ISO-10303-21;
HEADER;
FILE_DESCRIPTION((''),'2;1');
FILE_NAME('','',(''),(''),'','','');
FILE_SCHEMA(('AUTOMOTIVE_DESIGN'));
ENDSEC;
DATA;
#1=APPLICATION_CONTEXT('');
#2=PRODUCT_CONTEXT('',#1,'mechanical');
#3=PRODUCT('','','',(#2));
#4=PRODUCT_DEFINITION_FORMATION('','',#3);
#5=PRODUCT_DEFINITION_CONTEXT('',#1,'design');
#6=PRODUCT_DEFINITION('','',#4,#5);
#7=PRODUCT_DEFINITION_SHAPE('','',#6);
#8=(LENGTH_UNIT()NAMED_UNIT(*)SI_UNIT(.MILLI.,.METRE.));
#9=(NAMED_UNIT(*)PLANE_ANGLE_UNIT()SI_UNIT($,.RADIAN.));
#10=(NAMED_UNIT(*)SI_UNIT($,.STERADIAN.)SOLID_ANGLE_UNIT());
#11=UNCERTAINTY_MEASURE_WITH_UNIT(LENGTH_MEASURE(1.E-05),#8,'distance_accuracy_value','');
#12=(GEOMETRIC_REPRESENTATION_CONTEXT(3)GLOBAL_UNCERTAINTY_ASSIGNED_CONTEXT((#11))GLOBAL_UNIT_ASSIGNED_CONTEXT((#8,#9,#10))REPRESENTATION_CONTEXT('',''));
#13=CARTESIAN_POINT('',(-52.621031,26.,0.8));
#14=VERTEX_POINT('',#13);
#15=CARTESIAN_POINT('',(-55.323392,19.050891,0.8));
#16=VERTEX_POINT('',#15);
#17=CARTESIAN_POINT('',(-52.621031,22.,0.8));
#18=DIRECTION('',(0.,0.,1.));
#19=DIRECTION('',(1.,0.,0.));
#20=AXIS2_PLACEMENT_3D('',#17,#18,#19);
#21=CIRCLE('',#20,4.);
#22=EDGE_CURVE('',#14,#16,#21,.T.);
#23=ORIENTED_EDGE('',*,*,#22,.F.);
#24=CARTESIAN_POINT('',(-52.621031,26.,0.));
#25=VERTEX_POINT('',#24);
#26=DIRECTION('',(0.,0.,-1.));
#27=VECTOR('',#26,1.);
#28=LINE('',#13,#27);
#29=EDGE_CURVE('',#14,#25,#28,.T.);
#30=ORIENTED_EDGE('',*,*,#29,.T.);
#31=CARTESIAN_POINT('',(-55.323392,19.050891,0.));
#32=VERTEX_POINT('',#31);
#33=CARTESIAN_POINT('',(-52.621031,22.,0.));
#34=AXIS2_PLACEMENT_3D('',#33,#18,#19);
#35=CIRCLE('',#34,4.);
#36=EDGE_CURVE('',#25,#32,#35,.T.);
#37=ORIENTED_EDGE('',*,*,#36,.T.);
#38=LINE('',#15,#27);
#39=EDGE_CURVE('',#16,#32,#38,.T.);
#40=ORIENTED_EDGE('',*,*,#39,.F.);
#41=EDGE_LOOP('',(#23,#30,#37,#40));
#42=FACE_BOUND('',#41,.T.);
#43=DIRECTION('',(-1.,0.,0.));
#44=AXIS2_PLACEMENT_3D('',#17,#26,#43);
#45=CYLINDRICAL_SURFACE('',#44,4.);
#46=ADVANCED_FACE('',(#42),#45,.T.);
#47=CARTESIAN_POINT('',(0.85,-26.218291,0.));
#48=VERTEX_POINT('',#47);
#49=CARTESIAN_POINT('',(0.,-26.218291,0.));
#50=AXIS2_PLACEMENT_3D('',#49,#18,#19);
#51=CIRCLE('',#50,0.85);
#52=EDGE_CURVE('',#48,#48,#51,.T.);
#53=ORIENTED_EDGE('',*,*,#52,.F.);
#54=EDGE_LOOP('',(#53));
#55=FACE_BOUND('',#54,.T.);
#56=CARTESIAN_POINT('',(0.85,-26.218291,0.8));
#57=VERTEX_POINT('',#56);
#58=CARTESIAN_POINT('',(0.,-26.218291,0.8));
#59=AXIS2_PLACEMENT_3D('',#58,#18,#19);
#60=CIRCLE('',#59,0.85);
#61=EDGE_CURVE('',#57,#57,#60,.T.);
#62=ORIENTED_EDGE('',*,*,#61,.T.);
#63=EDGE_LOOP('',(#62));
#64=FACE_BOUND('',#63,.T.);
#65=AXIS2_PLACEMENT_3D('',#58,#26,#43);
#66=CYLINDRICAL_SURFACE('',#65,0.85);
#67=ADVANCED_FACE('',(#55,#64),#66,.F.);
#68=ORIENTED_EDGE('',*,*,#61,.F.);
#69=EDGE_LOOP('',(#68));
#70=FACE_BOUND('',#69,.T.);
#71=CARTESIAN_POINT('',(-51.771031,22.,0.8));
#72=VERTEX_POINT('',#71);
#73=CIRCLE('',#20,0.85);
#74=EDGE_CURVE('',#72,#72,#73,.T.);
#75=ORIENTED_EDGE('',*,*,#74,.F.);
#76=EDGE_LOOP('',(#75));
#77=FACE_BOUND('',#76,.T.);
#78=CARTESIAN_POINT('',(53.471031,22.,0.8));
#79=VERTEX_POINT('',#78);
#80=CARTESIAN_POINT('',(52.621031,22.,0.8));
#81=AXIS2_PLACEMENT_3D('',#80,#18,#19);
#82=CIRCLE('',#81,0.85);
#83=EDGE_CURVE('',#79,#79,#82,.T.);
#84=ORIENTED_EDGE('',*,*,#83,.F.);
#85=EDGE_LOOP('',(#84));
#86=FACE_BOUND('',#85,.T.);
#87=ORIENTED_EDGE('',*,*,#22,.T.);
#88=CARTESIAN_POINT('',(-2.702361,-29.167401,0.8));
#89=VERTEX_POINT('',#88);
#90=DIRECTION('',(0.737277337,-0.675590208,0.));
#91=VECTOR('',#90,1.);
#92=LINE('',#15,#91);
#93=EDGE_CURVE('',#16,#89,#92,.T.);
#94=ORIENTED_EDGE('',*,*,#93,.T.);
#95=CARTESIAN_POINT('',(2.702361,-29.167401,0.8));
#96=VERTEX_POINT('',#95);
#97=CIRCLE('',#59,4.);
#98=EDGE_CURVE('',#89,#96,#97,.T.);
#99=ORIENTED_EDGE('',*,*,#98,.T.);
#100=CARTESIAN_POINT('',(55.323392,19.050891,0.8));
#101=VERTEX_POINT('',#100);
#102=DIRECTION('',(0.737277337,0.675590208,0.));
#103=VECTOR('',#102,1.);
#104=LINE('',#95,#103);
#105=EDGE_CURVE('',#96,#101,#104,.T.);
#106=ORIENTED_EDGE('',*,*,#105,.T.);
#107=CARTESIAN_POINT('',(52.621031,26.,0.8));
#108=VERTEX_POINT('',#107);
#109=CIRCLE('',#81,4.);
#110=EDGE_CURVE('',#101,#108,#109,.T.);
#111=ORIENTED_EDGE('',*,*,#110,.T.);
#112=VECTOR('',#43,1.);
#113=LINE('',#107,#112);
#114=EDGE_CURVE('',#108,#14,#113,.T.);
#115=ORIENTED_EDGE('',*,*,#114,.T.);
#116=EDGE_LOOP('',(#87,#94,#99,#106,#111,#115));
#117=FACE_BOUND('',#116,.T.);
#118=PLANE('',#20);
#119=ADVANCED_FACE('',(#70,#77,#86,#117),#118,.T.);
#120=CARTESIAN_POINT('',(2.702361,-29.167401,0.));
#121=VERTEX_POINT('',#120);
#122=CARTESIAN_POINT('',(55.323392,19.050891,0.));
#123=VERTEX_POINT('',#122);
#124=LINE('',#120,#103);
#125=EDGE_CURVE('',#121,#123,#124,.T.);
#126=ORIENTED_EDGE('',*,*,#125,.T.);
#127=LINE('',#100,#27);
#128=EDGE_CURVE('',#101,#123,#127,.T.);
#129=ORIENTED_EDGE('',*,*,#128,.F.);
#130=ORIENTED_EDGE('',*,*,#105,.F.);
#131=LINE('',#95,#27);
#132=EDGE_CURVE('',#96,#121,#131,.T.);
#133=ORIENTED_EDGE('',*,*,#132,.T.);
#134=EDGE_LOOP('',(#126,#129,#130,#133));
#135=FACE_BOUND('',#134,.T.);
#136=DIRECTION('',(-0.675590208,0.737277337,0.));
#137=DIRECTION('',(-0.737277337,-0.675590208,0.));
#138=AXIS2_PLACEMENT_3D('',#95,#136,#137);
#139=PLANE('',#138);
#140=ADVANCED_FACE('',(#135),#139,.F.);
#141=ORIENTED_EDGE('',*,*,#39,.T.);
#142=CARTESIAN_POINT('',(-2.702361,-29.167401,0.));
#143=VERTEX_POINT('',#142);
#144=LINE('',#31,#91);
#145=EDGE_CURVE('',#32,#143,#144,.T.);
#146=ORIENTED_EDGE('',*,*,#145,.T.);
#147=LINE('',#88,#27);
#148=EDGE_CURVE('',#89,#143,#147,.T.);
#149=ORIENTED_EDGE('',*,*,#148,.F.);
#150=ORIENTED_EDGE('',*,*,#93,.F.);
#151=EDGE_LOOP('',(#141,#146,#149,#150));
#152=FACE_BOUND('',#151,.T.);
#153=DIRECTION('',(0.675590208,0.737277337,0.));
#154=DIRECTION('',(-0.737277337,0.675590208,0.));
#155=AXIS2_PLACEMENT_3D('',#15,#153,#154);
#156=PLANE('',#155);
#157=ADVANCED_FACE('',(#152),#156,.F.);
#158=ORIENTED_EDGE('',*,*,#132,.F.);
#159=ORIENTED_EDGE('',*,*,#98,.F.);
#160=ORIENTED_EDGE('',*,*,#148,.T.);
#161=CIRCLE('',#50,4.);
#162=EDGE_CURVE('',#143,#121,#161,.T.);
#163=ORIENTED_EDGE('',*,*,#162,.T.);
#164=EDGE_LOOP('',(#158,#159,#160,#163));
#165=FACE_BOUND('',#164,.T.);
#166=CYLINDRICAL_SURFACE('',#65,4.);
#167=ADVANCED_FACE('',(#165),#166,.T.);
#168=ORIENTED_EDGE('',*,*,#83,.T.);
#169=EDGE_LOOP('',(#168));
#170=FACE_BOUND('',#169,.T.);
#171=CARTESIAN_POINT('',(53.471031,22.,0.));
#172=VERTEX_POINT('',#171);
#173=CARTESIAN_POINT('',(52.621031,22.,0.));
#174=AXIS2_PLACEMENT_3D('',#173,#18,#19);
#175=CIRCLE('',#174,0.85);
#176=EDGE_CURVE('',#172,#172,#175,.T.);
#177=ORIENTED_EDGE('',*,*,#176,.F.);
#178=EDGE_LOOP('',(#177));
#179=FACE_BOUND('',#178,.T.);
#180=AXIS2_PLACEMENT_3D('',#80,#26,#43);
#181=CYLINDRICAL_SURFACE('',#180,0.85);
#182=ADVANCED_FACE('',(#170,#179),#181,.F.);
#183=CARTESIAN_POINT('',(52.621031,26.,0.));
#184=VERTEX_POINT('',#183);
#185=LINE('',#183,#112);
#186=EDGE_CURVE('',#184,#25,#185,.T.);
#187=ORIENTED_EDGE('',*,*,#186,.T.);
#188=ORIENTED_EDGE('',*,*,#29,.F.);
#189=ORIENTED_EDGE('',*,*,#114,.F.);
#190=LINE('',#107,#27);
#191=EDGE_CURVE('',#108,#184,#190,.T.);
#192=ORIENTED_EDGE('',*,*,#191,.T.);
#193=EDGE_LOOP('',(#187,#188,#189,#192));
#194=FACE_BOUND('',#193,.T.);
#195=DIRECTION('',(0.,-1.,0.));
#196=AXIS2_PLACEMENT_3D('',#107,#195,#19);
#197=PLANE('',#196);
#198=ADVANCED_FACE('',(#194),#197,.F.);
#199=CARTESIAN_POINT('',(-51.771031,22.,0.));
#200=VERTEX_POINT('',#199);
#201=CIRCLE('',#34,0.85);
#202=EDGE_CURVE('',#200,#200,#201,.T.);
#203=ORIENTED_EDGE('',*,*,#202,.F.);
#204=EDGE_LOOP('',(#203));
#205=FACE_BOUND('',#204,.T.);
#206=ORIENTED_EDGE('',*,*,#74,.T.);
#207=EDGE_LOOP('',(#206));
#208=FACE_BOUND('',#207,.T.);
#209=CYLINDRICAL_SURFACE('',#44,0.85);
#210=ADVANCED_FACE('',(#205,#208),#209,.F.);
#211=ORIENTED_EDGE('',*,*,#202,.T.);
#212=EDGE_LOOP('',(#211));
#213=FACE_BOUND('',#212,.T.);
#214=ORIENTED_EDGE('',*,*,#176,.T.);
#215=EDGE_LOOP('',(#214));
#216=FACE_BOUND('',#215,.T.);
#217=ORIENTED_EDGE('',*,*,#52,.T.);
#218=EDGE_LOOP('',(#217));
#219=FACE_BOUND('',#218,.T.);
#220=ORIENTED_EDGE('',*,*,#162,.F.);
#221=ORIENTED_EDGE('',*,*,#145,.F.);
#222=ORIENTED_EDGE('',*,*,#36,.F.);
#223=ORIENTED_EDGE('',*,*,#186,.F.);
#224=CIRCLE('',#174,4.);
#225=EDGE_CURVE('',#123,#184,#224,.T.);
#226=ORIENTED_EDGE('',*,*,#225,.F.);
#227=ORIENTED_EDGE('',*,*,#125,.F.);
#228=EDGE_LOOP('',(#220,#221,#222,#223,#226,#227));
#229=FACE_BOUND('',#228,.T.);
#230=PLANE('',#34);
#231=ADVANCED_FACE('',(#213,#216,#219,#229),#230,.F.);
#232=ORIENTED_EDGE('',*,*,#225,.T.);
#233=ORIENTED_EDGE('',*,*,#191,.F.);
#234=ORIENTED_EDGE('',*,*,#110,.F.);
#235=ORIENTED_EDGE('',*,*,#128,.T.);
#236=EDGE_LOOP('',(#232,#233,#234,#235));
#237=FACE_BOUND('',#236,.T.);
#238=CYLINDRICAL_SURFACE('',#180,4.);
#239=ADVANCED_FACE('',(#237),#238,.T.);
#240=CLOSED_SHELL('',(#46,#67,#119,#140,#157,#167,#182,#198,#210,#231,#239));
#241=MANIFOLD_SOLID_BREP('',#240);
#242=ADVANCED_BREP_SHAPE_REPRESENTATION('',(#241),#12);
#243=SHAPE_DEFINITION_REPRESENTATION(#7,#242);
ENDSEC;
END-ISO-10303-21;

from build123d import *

# Parameters (mm, degrees)
SKETCH_1_R      = 0.85
EXTRUDE_1_DEPTH = 0.8


with BuildPart() as part:
    # 草图1 → 凸台-拉伸1 (new body)
    with BuildSketch(Plane.XY):
        with BuildLine():
            Line((52.621031394, 26), (-52.621031394, 26))
            ThreePointArc((-52.621031394, 26), (-56.349062871, 23.449752153), (-55.323392225, 19.050890653))
            Line((-55.323392225, 19.050890653), (-2.70236083, -29.167400823))
            ThreePointArc((-2.70236083, -29.167400823), (0, -30.218291475), (2.70236083, -29.167400823))
            Line((2.70236083, -29.167400823), (55.323392225, 19.050890653))
            ThreePointArc((55.323392225, 19.050890653), (56.349062871, 23.449752153), (52.621031394, 26))
        make_face()
        with Locations((-52.621031394, 22)):
            Circle(SKETCH_1_R, mode=Mode.SUBTRACT)
        with Locations((52.621031394, 22)):
            Circle(SKETCH_1_R, mode=Mode.SUBTRACT)
        with Locations((0, -26.218291475)):
            Circle(SKETCH_1_R, mode=Mode.SUBTRACT)
    extrude(amount=EXTRUDE_1_DEPTH)


solid = part.part
